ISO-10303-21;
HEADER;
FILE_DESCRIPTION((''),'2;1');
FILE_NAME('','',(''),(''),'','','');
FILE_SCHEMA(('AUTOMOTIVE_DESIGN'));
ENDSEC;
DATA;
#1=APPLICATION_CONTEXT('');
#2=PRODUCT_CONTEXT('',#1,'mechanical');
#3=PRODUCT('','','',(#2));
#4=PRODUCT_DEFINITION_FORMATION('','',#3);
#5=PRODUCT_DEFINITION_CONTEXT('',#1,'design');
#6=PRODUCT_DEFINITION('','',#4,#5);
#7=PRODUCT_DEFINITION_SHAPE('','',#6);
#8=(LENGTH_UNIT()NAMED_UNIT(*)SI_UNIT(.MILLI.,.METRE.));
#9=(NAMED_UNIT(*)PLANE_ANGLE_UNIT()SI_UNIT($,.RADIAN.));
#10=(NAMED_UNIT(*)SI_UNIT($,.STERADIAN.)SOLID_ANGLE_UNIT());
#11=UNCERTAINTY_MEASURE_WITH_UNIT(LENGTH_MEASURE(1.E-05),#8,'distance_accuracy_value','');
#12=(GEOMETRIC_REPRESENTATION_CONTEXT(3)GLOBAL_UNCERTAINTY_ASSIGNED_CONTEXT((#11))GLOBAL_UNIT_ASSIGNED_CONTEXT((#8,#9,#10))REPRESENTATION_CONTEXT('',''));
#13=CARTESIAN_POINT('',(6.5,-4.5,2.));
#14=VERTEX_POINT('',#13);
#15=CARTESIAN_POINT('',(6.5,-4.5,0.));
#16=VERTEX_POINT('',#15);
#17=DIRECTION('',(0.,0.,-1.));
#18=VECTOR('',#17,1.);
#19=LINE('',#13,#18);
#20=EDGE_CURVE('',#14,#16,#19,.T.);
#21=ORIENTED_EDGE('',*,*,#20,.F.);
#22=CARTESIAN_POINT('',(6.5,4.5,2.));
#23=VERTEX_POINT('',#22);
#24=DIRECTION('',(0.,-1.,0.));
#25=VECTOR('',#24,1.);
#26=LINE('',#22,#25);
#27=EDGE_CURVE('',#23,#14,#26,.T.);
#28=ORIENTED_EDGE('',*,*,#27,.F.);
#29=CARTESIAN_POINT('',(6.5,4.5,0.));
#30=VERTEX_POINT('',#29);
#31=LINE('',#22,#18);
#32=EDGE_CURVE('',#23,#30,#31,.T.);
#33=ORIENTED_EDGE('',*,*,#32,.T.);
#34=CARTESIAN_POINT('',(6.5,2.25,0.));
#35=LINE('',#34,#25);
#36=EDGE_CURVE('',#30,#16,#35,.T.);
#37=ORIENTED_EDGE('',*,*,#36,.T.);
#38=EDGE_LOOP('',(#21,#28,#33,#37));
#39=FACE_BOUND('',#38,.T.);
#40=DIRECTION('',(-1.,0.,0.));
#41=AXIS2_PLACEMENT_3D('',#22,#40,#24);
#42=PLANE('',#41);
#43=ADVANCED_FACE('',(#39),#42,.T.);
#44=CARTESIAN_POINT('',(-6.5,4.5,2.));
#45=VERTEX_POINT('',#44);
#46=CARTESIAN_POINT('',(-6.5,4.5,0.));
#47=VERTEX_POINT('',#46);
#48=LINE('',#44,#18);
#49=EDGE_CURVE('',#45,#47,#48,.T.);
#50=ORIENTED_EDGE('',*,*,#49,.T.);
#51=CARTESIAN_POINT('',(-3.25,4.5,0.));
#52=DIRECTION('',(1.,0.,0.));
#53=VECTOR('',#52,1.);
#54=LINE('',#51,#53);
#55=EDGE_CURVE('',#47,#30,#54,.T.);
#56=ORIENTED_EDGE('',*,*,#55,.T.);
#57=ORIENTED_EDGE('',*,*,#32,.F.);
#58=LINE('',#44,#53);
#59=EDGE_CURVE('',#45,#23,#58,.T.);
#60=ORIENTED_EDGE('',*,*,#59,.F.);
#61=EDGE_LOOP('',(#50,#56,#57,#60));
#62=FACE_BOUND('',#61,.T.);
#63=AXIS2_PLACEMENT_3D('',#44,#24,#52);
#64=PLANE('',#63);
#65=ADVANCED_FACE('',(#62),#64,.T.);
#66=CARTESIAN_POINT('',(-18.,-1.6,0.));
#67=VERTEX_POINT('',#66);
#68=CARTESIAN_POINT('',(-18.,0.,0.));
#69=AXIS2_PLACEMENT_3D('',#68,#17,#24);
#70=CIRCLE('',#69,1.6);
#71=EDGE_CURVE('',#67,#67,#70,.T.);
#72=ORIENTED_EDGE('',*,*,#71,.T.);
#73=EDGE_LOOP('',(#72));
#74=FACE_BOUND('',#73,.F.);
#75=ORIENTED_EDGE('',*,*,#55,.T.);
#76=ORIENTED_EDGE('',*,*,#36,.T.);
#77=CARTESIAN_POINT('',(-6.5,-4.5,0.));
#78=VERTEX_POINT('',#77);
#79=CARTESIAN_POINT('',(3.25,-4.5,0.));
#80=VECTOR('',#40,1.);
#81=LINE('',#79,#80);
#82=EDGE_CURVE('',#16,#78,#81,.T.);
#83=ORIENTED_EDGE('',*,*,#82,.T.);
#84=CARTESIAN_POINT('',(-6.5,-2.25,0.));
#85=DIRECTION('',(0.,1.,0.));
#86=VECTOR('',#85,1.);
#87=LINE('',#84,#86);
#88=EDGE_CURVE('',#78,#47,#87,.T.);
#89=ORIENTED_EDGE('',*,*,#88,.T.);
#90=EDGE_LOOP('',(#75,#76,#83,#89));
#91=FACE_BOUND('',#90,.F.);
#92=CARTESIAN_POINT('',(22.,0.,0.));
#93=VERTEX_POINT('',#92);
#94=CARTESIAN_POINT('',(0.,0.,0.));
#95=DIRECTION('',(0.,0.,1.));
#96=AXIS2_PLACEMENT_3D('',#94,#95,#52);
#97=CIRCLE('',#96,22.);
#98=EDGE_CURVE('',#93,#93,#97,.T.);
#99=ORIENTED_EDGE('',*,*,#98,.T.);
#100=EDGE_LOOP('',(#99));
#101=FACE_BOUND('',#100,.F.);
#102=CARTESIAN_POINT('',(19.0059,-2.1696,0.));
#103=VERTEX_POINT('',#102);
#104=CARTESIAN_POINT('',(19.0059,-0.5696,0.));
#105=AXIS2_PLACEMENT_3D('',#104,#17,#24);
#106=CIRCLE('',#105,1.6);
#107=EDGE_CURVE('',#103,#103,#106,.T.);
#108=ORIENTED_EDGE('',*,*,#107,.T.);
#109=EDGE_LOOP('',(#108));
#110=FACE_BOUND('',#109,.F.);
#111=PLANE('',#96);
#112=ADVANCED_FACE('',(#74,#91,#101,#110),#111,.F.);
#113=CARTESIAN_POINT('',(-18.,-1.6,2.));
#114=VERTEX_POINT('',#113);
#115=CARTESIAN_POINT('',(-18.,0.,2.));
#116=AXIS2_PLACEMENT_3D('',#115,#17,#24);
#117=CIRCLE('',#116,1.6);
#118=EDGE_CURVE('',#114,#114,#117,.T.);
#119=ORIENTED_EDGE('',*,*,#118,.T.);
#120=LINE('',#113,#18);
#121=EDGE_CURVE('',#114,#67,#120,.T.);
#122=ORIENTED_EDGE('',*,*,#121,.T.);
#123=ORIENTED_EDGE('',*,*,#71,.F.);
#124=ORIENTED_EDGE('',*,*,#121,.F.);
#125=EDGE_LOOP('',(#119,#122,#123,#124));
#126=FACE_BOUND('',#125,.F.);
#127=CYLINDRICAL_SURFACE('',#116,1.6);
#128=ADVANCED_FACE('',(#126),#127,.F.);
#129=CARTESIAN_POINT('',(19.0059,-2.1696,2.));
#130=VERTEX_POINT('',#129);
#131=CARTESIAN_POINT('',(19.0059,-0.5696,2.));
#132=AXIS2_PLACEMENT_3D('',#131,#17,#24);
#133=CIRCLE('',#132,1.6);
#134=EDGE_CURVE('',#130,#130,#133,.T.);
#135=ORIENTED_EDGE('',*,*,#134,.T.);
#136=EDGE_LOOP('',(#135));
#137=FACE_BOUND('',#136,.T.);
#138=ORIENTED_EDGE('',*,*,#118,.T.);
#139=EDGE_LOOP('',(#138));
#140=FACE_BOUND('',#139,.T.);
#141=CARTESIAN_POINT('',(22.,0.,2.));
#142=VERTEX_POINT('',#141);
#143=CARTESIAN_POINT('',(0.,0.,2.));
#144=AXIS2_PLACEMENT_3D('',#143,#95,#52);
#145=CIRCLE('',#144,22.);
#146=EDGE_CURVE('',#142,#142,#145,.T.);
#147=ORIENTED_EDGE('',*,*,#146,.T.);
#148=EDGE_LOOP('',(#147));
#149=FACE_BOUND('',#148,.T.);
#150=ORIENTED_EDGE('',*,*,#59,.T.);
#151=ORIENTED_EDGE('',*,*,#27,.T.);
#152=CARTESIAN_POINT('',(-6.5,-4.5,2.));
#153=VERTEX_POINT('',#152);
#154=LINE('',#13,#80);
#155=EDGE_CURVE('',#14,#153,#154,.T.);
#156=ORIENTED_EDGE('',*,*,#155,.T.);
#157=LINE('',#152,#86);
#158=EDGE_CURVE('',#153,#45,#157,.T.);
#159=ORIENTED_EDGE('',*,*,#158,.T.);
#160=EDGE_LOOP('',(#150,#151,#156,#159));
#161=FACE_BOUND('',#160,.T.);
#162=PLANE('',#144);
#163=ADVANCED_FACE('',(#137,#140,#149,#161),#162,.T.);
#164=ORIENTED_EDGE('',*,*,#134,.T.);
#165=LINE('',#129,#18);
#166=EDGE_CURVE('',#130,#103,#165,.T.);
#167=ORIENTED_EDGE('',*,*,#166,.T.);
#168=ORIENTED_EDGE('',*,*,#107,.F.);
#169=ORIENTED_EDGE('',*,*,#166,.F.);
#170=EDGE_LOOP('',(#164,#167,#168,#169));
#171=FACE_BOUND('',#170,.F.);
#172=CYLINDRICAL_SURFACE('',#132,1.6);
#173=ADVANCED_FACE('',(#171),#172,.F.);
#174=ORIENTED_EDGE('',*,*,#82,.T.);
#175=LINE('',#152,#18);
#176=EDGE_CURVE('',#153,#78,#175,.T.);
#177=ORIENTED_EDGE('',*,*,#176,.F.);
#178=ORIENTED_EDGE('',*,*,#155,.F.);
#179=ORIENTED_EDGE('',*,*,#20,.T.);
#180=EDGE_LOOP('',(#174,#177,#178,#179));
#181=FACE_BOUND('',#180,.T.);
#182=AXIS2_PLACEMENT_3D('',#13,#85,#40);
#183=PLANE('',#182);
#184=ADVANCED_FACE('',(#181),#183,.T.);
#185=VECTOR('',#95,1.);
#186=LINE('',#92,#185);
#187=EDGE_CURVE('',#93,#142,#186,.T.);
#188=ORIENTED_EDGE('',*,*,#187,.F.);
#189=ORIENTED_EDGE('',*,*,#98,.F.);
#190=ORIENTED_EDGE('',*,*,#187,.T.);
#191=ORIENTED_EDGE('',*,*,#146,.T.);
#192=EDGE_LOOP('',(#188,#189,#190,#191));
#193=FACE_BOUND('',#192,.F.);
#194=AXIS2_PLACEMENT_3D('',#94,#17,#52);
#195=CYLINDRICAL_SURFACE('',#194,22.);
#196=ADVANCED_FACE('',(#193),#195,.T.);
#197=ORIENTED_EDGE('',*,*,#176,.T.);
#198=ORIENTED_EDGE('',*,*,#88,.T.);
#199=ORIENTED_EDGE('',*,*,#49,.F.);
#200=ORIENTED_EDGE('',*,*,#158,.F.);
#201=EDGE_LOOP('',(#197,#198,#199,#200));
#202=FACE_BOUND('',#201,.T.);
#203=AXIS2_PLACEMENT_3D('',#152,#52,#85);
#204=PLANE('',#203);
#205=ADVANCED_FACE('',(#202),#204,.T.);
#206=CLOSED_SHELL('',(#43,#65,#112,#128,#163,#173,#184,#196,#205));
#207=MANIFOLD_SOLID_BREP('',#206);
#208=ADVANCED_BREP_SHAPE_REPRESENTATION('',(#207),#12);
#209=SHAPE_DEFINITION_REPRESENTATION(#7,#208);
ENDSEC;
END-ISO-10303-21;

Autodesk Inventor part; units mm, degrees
ref_plane "YZ Plane" through (0, 0, 0) normal (1, 0, 0) x (0, 1, 0)
ref_plane "XZ Plane" through (0, 0, 0) normal (0, 1, 0) x (-1, 0, 0)
ref_plane "XY Plane" through (0, 0, 0) normal (0, 0, 1) x (1, 0, 0)
ref_plane "Arbeitsebene1" through (0, 0, 0) normal (0, 0, 1) x (1, 0, 0)
sketch "Skizze1" plane through (0, 0, 0) normal (0, 0, 1) x (1, 0, 0)
  circle A0 centre (0, 0) radius 22 projected
  point P0 (0, 0)
extrude "Extrusion1" add sketch "Skizze1" along normal blind 2
sketch "Skizze2" plane through (0, 0, 2) normal (0, 0, 1) x (1, 0, 0)
  circle A0 centre (-18, 0) radius 1.6 projected
  circle A1 centre (18, 0) radius 1.6 projected
  point P0 (0, 0)
  point P1 (19.0059, -0.5696)
hole "Bohrung1" at (-18, 0, 2) at (19.0059, -0.5696, 2) direction (0, 0, -1) diameter 3.2 end through all
sketch "Skizze3" plane through (0, 0, 2) normal (0, 0, 1) x (1, 0, 0)
  line L0 (6.5, -4.5) -> (-6.5, -4.5)
  line L1 (-6.5, -4.5) -> (-6.5, 4.5)
  line L2 (-6.5, 4.5) -> (6.5, 4.5)
  line L3 (6.5, 4.5) -> (6.5, -4.5)
  line L4 (6.5, -4.5) -> (-6.5, 4.5) construction
  line L5 (-6.5, -4.5) -> (6.5, 4.5) construction
  point P0 (0, 0)
  dimension "d9" = 13
  dimension "d10" = 9
extrude "Extrusion2" cut sketch "Skizze3" against normal blind 10
properties part number "led_deckel"
